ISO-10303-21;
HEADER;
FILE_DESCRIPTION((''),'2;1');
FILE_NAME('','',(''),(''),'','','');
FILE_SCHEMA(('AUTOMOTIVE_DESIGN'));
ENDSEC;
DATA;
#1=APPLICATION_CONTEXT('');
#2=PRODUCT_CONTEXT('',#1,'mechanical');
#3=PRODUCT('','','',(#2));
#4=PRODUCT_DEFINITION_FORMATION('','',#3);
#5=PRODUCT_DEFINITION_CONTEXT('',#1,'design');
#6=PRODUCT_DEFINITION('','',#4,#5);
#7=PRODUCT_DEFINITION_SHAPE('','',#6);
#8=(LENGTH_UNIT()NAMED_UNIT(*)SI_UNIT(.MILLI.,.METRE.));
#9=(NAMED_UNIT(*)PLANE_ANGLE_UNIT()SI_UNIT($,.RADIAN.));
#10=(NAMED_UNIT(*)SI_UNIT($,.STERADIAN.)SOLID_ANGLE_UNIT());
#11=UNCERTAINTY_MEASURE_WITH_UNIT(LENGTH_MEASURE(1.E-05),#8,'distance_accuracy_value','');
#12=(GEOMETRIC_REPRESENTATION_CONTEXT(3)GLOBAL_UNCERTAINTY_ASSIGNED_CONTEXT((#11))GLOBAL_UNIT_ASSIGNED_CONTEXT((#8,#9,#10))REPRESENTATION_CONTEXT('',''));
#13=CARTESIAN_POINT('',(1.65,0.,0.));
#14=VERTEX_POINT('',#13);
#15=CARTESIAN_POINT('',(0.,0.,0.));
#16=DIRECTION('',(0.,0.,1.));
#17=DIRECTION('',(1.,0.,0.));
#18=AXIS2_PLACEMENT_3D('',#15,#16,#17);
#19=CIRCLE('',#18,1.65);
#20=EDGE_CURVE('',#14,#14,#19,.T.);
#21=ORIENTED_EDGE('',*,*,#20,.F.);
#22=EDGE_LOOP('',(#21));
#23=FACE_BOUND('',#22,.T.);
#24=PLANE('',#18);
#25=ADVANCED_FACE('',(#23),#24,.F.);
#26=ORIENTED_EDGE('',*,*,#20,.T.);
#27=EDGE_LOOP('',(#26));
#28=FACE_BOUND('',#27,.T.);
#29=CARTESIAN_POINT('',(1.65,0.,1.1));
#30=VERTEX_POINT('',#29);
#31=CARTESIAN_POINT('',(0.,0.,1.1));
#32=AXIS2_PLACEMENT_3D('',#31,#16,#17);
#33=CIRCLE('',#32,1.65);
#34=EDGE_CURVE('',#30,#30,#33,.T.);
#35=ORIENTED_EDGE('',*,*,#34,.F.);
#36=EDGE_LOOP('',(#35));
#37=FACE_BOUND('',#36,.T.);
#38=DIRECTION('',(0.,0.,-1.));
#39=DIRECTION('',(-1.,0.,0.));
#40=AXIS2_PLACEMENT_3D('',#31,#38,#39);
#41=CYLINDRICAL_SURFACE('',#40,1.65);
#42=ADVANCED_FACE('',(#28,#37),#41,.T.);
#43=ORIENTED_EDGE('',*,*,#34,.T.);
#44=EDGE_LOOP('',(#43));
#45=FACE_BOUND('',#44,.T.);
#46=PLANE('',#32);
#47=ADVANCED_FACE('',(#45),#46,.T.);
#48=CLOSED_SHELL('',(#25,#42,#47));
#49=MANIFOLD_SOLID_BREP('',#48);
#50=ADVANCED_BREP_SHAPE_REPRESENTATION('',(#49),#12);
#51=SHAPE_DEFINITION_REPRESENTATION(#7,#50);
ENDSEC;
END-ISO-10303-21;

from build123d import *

# Parameters (mm, degrees)
SKETCH_1_R = 1.65
DISC_DEPTH = 1.1


with BuildPart() as part:
    # 草图1 → Disc (new body)
    with BuildSketch(Plane.XY):
        Circle(SKETCH_1_R)
    extrude(amount=DISC_DEPTH)


solid = part.part
